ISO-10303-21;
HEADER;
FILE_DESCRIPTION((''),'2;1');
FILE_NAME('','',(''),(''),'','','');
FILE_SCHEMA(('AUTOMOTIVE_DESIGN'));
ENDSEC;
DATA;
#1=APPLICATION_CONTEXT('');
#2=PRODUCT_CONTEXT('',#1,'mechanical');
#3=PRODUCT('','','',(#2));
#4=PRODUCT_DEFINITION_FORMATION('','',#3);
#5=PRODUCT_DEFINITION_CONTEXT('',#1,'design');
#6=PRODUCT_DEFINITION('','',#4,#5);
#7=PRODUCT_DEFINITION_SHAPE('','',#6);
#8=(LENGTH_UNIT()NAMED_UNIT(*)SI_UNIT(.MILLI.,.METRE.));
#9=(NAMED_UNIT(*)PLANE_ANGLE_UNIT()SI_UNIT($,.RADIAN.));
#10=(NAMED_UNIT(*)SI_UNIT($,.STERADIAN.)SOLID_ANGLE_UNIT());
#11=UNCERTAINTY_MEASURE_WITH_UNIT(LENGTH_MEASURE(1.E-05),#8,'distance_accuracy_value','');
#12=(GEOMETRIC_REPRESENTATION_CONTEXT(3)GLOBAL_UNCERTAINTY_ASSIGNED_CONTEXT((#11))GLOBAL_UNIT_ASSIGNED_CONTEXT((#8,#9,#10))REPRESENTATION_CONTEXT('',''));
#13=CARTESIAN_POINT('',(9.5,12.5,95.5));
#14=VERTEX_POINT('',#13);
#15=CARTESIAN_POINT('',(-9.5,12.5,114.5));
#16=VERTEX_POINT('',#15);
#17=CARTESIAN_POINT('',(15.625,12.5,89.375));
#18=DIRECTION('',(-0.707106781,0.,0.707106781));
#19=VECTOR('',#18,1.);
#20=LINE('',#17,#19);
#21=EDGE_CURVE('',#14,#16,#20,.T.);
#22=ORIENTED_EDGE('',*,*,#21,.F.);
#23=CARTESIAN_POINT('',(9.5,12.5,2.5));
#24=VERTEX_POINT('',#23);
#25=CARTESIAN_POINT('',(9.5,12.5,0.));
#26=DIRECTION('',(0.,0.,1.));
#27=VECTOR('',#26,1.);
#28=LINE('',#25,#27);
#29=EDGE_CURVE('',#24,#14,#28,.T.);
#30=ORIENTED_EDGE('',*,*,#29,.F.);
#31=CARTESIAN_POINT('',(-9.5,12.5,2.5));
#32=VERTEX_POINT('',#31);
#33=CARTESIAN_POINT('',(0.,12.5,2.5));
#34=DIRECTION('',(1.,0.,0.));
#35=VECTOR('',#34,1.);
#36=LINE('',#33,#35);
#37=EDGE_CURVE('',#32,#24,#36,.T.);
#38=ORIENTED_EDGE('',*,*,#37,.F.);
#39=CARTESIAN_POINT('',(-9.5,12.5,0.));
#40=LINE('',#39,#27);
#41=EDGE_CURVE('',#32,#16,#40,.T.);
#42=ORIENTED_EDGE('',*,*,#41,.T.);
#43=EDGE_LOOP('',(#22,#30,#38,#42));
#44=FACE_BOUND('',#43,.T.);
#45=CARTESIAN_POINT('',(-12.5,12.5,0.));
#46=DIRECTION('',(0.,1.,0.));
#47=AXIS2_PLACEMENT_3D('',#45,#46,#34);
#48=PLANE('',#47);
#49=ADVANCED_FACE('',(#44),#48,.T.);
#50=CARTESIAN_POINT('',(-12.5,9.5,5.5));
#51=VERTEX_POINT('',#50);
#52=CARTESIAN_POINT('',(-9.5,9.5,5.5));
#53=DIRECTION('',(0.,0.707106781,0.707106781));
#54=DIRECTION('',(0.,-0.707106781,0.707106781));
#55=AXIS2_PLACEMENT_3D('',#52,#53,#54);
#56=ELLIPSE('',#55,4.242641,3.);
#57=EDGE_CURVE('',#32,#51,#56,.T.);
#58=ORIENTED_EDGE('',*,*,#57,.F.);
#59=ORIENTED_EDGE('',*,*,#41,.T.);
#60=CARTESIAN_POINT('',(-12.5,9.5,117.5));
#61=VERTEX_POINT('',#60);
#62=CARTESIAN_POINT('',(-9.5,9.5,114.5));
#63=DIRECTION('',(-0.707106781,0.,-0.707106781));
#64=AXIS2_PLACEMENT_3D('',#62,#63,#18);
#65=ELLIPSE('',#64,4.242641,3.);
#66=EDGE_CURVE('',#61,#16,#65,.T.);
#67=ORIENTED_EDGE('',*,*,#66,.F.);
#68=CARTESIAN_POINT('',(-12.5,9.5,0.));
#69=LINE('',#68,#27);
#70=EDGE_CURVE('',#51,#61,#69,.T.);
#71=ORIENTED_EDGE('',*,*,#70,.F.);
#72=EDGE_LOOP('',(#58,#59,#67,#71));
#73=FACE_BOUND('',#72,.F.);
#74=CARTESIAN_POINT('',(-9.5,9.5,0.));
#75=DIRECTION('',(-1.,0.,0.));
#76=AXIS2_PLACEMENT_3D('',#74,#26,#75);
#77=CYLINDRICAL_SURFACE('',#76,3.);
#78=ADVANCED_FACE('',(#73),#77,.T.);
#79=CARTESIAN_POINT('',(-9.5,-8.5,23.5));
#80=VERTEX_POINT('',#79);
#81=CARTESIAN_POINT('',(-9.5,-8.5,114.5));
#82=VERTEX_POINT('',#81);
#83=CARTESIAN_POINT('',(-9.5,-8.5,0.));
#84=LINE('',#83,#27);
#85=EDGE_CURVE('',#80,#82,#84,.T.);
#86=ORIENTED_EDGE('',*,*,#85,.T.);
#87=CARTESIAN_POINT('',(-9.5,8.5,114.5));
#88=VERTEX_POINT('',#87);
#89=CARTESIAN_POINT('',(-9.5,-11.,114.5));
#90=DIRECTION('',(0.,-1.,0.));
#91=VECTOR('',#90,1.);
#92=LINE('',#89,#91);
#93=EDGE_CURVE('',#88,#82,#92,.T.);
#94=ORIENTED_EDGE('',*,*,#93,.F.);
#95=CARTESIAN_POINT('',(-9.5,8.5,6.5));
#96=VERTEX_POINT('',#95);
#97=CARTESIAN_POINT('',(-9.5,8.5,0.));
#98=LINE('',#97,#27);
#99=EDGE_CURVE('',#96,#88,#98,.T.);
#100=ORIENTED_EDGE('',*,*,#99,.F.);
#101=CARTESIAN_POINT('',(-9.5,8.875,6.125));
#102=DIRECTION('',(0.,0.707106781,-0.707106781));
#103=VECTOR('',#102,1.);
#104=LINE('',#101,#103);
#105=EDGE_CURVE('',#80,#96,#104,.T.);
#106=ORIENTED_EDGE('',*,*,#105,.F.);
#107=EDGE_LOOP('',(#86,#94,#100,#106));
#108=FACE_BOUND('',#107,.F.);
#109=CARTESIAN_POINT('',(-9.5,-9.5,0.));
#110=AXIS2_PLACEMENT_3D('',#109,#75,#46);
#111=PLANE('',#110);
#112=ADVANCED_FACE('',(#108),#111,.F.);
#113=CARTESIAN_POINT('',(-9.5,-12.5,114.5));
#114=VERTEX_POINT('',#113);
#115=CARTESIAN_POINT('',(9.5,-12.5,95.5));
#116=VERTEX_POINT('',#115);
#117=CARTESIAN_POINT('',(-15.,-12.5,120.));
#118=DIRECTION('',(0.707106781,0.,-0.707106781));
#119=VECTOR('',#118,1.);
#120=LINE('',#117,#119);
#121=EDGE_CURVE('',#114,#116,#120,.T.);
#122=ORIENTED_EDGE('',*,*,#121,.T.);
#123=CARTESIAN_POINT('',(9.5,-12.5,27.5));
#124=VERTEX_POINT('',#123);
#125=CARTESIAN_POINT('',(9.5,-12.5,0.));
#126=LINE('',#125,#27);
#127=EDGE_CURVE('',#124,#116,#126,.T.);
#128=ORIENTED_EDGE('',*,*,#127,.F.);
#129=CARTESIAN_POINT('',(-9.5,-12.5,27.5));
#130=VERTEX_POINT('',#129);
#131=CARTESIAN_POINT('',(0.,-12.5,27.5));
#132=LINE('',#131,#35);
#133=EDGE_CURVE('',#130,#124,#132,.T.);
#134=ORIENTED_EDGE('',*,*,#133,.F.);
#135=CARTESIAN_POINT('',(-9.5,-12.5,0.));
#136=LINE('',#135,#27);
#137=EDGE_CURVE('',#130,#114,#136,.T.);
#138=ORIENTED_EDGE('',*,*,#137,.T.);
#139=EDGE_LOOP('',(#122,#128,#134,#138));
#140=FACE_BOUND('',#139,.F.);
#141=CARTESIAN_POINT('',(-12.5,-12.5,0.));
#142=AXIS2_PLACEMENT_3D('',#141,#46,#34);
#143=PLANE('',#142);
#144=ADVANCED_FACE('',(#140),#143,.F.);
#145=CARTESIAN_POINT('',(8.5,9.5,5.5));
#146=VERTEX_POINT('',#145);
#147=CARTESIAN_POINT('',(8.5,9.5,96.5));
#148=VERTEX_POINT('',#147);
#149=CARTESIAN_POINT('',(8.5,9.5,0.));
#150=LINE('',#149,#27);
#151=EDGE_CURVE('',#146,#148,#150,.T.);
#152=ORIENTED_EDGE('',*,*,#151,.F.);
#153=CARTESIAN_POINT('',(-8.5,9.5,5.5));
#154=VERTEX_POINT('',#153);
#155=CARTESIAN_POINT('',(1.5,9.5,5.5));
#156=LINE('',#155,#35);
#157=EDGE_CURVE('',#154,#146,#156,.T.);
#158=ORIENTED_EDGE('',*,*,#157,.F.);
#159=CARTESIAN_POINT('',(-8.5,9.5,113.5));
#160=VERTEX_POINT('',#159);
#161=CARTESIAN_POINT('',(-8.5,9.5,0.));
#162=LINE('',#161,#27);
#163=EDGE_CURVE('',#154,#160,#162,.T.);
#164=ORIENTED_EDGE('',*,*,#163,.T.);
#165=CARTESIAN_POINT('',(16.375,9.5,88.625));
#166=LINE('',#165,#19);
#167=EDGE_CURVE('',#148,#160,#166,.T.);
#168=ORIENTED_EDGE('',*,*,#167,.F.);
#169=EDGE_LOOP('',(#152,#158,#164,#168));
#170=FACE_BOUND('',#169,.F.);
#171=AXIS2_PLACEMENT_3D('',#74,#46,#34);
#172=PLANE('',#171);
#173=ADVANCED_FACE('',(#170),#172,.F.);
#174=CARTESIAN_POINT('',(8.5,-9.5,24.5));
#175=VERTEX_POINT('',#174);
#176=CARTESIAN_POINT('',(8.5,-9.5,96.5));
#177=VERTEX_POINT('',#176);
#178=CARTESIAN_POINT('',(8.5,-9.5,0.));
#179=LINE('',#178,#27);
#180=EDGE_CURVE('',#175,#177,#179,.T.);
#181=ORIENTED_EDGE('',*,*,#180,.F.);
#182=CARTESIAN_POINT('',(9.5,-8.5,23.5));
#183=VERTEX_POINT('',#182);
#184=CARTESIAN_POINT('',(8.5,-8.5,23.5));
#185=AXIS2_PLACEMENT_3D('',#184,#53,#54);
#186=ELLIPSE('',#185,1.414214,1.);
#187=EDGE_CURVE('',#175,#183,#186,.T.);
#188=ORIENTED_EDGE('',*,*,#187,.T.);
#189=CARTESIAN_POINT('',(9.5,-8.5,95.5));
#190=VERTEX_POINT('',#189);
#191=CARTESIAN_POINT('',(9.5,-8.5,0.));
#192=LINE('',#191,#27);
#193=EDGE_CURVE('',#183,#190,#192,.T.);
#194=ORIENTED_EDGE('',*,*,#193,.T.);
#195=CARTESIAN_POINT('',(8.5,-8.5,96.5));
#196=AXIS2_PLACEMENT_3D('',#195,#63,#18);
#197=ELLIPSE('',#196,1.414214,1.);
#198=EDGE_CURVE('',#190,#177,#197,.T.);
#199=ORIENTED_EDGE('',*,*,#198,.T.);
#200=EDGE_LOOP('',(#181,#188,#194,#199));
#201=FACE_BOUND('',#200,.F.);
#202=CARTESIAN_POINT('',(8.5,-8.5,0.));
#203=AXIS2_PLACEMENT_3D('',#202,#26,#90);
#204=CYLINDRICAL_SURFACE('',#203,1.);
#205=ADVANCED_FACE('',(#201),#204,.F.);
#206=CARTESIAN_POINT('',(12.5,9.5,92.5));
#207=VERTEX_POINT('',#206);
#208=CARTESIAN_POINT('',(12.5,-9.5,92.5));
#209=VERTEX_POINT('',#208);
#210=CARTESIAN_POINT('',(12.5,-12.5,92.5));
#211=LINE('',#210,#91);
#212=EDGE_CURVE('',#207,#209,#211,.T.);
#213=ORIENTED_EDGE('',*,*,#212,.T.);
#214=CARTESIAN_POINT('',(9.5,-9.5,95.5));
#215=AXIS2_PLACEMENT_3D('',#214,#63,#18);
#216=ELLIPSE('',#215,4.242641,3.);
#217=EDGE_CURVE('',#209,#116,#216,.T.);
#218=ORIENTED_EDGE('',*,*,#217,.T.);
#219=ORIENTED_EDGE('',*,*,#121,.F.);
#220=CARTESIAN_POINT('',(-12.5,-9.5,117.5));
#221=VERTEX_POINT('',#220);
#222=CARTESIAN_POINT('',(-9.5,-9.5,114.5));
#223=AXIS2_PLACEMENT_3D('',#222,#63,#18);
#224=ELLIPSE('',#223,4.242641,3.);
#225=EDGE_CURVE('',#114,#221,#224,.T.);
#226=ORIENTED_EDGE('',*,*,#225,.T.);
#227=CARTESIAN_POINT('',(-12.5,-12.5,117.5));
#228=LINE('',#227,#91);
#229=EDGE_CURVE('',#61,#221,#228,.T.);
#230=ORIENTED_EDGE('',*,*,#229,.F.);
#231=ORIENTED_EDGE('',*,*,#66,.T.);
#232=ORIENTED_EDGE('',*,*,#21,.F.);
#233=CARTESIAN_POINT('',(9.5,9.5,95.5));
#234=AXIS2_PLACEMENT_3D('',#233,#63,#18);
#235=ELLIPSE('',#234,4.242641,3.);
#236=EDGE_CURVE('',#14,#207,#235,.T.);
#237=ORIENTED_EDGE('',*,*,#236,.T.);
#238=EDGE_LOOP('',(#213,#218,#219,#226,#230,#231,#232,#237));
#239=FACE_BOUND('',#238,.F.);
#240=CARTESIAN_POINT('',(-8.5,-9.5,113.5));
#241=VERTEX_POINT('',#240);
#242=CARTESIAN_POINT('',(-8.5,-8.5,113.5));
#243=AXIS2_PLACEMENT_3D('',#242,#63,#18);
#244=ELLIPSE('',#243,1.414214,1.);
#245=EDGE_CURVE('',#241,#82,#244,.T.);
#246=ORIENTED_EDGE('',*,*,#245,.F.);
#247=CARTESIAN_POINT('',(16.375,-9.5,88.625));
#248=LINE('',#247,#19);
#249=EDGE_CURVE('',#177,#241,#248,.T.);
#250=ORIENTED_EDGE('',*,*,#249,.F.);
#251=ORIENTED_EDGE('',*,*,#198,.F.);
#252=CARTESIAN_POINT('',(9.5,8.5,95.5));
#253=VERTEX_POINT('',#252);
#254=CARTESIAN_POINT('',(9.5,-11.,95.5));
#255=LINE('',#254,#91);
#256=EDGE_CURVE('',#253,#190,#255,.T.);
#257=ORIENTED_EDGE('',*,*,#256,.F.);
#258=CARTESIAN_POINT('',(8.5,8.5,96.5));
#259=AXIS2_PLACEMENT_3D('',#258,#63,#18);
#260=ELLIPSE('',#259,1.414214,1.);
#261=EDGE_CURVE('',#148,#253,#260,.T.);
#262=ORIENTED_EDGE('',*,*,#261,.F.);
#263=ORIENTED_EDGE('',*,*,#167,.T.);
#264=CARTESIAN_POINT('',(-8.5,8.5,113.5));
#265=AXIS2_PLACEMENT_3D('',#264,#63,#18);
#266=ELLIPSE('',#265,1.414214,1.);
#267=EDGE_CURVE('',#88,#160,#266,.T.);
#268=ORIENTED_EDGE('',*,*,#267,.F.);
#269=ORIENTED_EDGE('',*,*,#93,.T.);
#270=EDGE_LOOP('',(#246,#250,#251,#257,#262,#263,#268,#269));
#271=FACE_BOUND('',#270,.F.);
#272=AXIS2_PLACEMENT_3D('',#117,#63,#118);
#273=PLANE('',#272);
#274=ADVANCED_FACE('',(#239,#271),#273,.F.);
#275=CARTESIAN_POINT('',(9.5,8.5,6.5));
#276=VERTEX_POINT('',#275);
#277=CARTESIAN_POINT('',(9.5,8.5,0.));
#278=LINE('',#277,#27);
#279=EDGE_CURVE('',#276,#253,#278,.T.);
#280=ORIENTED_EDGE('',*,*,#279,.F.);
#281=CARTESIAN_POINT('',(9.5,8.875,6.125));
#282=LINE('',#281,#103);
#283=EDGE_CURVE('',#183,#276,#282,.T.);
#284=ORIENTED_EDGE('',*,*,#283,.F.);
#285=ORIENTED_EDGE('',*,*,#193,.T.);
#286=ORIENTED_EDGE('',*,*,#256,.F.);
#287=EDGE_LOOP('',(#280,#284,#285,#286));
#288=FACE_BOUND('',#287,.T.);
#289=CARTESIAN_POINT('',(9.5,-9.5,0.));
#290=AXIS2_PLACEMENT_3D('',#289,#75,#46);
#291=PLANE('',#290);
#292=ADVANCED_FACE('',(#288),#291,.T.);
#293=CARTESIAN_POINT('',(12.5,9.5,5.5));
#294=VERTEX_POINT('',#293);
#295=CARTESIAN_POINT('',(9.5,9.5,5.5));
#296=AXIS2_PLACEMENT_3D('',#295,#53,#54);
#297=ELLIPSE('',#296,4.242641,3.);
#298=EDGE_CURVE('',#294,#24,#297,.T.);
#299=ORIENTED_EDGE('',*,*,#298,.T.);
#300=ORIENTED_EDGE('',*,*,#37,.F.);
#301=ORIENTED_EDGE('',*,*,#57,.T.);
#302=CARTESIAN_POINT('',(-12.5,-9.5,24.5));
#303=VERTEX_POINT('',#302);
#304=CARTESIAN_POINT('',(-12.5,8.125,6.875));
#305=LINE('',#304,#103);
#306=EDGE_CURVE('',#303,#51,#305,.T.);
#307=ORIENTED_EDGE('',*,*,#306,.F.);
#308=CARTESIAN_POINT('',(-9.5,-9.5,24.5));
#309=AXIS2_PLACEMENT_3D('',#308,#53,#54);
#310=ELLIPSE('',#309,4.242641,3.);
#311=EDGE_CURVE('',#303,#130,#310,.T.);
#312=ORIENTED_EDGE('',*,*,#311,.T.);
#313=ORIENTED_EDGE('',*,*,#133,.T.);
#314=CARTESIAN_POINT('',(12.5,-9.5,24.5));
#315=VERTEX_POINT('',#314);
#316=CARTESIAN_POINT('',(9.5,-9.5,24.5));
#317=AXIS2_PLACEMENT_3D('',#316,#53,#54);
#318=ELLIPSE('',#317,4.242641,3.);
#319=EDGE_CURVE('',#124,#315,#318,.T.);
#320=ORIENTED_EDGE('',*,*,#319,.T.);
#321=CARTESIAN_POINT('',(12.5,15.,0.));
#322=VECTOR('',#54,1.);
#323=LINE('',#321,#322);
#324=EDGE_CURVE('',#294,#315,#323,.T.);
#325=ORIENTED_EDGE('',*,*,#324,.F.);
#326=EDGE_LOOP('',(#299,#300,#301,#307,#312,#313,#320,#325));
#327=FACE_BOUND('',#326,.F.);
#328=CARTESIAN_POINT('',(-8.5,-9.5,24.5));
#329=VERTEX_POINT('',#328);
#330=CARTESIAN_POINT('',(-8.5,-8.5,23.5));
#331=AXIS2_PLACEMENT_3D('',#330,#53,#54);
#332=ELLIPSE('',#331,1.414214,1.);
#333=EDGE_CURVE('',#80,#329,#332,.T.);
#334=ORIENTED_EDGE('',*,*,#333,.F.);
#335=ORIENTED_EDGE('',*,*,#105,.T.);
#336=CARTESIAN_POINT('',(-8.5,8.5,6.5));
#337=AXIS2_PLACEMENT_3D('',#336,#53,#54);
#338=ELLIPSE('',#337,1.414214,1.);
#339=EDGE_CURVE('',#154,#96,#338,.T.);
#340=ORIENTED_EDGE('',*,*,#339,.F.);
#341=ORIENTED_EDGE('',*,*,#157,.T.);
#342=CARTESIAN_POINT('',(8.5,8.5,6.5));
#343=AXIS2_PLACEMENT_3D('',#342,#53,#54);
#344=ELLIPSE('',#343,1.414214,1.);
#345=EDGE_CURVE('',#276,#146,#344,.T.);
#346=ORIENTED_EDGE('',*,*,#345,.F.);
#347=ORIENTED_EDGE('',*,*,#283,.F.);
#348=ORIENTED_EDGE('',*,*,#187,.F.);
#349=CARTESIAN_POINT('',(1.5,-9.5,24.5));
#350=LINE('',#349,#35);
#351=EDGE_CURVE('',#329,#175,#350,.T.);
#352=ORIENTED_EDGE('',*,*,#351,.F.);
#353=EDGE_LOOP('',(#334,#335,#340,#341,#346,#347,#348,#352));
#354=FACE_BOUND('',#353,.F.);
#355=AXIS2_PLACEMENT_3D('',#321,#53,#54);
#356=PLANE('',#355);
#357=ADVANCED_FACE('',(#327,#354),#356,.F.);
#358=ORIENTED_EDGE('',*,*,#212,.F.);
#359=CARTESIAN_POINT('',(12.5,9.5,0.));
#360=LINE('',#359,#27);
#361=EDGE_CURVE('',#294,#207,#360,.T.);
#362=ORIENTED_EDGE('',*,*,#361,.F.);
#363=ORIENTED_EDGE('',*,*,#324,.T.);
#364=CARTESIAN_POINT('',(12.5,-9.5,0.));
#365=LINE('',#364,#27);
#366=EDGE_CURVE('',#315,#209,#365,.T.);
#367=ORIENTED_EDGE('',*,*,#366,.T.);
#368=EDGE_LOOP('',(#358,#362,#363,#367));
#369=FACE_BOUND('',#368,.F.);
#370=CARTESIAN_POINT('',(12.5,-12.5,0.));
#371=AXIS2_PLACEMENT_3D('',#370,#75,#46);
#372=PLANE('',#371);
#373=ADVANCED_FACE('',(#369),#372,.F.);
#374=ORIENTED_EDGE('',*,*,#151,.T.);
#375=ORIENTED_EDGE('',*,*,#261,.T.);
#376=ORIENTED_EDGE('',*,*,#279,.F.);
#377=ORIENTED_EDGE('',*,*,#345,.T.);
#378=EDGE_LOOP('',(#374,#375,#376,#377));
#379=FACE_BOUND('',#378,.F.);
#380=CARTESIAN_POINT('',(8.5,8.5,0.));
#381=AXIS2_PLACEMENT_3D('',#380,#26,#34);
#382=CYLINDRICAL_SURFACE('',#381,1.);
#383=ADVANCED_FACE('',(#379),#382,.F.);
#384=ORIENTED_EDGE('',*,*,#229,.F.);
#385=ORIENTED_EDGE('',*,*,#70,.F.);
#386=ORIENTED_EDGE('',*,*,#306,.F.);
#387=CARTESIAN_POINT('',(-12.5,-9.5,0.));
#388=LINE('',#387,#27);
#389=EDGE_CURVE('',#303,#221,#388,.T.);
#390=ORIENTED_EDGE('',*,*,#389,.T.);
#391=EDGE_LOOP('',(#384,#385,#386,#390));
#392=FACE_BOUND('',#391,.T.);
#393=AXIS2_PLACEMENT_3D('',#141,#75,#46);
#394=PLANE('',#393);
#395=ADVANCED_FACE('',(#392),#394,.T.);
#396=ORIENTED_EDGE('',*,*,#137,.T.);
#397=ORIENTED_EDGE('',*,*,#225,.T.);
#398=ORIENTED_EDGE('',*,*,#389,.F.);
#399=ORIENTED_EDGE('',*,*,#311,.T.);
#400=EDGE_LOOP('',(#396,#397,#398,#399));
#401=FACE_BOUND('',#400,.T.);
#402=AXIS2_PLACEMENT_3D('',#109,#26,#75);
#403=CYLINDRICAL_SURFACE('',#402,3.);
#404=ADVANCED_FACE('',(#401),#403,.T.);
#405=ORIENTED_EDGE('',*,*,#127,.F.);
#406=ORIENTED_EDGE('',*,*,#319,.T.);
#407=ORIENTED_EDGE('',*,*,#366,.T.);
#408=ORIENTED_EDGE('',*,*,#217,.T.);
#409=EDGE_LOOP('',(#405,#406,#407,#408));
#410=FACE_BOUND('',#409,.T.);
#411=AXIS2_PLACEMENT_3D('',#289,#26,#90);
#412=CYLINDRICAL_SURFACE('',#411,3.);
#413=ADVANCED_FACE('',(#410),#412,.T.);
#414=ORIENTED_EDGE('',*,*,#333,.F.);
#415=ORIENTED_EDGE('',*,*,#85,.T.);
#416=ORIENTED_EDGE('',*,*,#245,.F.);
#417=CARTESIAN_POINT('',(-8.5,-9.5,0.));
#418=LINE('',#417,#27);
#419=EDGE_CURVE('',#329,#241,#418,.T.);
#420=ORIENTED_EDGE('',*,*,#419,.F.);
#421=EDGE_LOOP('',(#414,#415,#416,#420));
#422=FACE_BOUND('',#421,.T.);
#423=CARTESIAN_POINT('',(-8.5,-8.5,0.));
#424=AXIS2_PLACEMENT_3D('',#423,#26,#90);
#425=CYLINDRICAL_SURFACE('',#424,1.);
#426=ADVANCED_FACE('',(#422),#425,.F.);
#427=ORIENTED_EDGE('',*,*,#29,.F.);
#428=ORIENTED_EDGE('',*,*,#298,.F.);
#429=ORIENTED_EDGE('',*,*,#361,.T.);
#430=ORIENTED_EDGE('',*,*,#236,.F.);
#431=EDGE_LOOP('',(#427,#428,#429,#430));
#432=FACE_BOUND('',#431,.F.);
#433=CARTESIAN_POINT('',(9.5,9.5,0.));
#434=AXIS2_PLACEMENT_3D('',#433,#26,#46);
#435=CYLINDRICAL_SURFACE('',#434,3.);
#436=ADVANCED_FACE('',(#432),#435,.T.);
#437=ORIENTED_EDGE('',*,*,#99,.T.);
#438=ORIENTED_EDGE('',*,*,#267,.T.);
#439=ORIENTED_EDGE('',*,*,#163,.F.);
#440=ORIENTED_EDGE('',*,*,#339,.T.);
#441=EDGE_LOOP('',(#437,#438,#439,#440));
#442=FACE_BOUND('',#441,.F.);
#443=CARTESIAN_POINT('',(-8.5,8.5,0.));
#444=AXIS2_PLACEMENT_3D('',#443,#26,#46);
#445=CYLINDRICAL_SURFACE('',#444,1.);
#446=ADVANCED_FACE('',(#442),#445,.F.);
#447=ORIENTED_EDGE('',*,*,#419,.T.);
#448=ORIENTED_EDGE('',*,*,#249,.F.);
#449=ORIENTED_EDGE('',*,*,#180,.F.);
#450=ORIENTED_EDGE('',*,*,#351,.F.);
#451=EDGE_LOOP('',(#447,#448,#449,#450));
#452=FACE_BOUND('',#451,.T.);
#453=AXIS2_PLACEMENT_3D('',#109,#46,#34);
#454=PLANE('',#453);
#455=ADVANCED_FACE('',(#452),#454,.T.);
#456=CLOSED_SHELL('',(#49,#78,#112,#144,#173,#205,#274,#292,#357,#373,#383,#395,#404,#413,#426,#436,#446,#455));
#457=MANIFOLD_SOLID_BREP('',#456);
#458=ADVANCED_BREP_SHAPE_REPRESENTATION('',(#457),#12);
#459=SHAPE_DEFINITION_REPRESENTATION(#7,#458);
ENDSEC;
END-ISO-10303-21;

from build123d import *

# Parameters (mm, degrees)
F0_W     = 25
F0_H     = 25
F0_W_2   = 19
F0_H_2   = 19
F1_DEPTH = 120
F2_R     = 1
F3_R     = 3
F5_DEPTH = 25.001
F7_DEPTH = 25.001


with BuildPart() as f1:
    # F0 (on Top) → F1 (new body)
    with BuildSketch(Plane.XY):
        Rectangle(F0_W, F0_H)
        Rectangle(F0_W_2, F0_H_2, mode=Mode.SUBTRACT)
    extrude(amount=F1_DEPTH)

    # F2
    f2_edges = [f1.edges().sort_by_distance(p)[0] for p in [
        (-9.5, -9.5, 60),
        (-9.5, 9.5, 60),
        (9.5, 9.5, 60),
        (9.5, -9.5, 60),
    ]]
    fillet(f2_edges, radius=F2_R)

    # F3
    f3_edges = [f1.edges().sort_by_distance(p)[0] for p in [
        (-12.5, 12.5, 60),
        (-12.5, -12.5, 60),
        (12.5, 12.5, 60),
        (12.5, -12.5, 60),
    ]]
    fillet(f3_edges, radius=F3_R)

    # F4 (on face) → F5 (cut, through all)
    with BuildSketch(Plane.XZ.offset(12.5)):
        Polygon((-9.5, 120), (-9.5, 114.5), (9.5, 95.5), (9.5, 120), align=None)
        Polygon((-9.5, 120), (-15, 120), (-9.5, 114.5), align=None)
        Polygon((9.5, 120), (9.5, 95.5), (15, 90), (15, 120), align=None)
    extrude(amount=-F5_DEPTH, mode=Mode.SUBTRACT)

    # F6 (on face) → F7 (cut, through all)
    with BuildSketch(Plane.YZ.offset(12.5)):
        Polygon((-9.5, 0), (-9.5, 24.5), (-15, 30), (-15, 0), align=None)
        Polygon((9.5, 0), (9.5, 5.5), (-9.5, 24.5), (-9.5, 0), align=None)
        Polygon((9.5, 0), (15, 0), (9.5, 5.5), align=None)
    extrude(amount=-F7_DEPTH, mode=Mode.SUBTRACT)


solid = f1.part
